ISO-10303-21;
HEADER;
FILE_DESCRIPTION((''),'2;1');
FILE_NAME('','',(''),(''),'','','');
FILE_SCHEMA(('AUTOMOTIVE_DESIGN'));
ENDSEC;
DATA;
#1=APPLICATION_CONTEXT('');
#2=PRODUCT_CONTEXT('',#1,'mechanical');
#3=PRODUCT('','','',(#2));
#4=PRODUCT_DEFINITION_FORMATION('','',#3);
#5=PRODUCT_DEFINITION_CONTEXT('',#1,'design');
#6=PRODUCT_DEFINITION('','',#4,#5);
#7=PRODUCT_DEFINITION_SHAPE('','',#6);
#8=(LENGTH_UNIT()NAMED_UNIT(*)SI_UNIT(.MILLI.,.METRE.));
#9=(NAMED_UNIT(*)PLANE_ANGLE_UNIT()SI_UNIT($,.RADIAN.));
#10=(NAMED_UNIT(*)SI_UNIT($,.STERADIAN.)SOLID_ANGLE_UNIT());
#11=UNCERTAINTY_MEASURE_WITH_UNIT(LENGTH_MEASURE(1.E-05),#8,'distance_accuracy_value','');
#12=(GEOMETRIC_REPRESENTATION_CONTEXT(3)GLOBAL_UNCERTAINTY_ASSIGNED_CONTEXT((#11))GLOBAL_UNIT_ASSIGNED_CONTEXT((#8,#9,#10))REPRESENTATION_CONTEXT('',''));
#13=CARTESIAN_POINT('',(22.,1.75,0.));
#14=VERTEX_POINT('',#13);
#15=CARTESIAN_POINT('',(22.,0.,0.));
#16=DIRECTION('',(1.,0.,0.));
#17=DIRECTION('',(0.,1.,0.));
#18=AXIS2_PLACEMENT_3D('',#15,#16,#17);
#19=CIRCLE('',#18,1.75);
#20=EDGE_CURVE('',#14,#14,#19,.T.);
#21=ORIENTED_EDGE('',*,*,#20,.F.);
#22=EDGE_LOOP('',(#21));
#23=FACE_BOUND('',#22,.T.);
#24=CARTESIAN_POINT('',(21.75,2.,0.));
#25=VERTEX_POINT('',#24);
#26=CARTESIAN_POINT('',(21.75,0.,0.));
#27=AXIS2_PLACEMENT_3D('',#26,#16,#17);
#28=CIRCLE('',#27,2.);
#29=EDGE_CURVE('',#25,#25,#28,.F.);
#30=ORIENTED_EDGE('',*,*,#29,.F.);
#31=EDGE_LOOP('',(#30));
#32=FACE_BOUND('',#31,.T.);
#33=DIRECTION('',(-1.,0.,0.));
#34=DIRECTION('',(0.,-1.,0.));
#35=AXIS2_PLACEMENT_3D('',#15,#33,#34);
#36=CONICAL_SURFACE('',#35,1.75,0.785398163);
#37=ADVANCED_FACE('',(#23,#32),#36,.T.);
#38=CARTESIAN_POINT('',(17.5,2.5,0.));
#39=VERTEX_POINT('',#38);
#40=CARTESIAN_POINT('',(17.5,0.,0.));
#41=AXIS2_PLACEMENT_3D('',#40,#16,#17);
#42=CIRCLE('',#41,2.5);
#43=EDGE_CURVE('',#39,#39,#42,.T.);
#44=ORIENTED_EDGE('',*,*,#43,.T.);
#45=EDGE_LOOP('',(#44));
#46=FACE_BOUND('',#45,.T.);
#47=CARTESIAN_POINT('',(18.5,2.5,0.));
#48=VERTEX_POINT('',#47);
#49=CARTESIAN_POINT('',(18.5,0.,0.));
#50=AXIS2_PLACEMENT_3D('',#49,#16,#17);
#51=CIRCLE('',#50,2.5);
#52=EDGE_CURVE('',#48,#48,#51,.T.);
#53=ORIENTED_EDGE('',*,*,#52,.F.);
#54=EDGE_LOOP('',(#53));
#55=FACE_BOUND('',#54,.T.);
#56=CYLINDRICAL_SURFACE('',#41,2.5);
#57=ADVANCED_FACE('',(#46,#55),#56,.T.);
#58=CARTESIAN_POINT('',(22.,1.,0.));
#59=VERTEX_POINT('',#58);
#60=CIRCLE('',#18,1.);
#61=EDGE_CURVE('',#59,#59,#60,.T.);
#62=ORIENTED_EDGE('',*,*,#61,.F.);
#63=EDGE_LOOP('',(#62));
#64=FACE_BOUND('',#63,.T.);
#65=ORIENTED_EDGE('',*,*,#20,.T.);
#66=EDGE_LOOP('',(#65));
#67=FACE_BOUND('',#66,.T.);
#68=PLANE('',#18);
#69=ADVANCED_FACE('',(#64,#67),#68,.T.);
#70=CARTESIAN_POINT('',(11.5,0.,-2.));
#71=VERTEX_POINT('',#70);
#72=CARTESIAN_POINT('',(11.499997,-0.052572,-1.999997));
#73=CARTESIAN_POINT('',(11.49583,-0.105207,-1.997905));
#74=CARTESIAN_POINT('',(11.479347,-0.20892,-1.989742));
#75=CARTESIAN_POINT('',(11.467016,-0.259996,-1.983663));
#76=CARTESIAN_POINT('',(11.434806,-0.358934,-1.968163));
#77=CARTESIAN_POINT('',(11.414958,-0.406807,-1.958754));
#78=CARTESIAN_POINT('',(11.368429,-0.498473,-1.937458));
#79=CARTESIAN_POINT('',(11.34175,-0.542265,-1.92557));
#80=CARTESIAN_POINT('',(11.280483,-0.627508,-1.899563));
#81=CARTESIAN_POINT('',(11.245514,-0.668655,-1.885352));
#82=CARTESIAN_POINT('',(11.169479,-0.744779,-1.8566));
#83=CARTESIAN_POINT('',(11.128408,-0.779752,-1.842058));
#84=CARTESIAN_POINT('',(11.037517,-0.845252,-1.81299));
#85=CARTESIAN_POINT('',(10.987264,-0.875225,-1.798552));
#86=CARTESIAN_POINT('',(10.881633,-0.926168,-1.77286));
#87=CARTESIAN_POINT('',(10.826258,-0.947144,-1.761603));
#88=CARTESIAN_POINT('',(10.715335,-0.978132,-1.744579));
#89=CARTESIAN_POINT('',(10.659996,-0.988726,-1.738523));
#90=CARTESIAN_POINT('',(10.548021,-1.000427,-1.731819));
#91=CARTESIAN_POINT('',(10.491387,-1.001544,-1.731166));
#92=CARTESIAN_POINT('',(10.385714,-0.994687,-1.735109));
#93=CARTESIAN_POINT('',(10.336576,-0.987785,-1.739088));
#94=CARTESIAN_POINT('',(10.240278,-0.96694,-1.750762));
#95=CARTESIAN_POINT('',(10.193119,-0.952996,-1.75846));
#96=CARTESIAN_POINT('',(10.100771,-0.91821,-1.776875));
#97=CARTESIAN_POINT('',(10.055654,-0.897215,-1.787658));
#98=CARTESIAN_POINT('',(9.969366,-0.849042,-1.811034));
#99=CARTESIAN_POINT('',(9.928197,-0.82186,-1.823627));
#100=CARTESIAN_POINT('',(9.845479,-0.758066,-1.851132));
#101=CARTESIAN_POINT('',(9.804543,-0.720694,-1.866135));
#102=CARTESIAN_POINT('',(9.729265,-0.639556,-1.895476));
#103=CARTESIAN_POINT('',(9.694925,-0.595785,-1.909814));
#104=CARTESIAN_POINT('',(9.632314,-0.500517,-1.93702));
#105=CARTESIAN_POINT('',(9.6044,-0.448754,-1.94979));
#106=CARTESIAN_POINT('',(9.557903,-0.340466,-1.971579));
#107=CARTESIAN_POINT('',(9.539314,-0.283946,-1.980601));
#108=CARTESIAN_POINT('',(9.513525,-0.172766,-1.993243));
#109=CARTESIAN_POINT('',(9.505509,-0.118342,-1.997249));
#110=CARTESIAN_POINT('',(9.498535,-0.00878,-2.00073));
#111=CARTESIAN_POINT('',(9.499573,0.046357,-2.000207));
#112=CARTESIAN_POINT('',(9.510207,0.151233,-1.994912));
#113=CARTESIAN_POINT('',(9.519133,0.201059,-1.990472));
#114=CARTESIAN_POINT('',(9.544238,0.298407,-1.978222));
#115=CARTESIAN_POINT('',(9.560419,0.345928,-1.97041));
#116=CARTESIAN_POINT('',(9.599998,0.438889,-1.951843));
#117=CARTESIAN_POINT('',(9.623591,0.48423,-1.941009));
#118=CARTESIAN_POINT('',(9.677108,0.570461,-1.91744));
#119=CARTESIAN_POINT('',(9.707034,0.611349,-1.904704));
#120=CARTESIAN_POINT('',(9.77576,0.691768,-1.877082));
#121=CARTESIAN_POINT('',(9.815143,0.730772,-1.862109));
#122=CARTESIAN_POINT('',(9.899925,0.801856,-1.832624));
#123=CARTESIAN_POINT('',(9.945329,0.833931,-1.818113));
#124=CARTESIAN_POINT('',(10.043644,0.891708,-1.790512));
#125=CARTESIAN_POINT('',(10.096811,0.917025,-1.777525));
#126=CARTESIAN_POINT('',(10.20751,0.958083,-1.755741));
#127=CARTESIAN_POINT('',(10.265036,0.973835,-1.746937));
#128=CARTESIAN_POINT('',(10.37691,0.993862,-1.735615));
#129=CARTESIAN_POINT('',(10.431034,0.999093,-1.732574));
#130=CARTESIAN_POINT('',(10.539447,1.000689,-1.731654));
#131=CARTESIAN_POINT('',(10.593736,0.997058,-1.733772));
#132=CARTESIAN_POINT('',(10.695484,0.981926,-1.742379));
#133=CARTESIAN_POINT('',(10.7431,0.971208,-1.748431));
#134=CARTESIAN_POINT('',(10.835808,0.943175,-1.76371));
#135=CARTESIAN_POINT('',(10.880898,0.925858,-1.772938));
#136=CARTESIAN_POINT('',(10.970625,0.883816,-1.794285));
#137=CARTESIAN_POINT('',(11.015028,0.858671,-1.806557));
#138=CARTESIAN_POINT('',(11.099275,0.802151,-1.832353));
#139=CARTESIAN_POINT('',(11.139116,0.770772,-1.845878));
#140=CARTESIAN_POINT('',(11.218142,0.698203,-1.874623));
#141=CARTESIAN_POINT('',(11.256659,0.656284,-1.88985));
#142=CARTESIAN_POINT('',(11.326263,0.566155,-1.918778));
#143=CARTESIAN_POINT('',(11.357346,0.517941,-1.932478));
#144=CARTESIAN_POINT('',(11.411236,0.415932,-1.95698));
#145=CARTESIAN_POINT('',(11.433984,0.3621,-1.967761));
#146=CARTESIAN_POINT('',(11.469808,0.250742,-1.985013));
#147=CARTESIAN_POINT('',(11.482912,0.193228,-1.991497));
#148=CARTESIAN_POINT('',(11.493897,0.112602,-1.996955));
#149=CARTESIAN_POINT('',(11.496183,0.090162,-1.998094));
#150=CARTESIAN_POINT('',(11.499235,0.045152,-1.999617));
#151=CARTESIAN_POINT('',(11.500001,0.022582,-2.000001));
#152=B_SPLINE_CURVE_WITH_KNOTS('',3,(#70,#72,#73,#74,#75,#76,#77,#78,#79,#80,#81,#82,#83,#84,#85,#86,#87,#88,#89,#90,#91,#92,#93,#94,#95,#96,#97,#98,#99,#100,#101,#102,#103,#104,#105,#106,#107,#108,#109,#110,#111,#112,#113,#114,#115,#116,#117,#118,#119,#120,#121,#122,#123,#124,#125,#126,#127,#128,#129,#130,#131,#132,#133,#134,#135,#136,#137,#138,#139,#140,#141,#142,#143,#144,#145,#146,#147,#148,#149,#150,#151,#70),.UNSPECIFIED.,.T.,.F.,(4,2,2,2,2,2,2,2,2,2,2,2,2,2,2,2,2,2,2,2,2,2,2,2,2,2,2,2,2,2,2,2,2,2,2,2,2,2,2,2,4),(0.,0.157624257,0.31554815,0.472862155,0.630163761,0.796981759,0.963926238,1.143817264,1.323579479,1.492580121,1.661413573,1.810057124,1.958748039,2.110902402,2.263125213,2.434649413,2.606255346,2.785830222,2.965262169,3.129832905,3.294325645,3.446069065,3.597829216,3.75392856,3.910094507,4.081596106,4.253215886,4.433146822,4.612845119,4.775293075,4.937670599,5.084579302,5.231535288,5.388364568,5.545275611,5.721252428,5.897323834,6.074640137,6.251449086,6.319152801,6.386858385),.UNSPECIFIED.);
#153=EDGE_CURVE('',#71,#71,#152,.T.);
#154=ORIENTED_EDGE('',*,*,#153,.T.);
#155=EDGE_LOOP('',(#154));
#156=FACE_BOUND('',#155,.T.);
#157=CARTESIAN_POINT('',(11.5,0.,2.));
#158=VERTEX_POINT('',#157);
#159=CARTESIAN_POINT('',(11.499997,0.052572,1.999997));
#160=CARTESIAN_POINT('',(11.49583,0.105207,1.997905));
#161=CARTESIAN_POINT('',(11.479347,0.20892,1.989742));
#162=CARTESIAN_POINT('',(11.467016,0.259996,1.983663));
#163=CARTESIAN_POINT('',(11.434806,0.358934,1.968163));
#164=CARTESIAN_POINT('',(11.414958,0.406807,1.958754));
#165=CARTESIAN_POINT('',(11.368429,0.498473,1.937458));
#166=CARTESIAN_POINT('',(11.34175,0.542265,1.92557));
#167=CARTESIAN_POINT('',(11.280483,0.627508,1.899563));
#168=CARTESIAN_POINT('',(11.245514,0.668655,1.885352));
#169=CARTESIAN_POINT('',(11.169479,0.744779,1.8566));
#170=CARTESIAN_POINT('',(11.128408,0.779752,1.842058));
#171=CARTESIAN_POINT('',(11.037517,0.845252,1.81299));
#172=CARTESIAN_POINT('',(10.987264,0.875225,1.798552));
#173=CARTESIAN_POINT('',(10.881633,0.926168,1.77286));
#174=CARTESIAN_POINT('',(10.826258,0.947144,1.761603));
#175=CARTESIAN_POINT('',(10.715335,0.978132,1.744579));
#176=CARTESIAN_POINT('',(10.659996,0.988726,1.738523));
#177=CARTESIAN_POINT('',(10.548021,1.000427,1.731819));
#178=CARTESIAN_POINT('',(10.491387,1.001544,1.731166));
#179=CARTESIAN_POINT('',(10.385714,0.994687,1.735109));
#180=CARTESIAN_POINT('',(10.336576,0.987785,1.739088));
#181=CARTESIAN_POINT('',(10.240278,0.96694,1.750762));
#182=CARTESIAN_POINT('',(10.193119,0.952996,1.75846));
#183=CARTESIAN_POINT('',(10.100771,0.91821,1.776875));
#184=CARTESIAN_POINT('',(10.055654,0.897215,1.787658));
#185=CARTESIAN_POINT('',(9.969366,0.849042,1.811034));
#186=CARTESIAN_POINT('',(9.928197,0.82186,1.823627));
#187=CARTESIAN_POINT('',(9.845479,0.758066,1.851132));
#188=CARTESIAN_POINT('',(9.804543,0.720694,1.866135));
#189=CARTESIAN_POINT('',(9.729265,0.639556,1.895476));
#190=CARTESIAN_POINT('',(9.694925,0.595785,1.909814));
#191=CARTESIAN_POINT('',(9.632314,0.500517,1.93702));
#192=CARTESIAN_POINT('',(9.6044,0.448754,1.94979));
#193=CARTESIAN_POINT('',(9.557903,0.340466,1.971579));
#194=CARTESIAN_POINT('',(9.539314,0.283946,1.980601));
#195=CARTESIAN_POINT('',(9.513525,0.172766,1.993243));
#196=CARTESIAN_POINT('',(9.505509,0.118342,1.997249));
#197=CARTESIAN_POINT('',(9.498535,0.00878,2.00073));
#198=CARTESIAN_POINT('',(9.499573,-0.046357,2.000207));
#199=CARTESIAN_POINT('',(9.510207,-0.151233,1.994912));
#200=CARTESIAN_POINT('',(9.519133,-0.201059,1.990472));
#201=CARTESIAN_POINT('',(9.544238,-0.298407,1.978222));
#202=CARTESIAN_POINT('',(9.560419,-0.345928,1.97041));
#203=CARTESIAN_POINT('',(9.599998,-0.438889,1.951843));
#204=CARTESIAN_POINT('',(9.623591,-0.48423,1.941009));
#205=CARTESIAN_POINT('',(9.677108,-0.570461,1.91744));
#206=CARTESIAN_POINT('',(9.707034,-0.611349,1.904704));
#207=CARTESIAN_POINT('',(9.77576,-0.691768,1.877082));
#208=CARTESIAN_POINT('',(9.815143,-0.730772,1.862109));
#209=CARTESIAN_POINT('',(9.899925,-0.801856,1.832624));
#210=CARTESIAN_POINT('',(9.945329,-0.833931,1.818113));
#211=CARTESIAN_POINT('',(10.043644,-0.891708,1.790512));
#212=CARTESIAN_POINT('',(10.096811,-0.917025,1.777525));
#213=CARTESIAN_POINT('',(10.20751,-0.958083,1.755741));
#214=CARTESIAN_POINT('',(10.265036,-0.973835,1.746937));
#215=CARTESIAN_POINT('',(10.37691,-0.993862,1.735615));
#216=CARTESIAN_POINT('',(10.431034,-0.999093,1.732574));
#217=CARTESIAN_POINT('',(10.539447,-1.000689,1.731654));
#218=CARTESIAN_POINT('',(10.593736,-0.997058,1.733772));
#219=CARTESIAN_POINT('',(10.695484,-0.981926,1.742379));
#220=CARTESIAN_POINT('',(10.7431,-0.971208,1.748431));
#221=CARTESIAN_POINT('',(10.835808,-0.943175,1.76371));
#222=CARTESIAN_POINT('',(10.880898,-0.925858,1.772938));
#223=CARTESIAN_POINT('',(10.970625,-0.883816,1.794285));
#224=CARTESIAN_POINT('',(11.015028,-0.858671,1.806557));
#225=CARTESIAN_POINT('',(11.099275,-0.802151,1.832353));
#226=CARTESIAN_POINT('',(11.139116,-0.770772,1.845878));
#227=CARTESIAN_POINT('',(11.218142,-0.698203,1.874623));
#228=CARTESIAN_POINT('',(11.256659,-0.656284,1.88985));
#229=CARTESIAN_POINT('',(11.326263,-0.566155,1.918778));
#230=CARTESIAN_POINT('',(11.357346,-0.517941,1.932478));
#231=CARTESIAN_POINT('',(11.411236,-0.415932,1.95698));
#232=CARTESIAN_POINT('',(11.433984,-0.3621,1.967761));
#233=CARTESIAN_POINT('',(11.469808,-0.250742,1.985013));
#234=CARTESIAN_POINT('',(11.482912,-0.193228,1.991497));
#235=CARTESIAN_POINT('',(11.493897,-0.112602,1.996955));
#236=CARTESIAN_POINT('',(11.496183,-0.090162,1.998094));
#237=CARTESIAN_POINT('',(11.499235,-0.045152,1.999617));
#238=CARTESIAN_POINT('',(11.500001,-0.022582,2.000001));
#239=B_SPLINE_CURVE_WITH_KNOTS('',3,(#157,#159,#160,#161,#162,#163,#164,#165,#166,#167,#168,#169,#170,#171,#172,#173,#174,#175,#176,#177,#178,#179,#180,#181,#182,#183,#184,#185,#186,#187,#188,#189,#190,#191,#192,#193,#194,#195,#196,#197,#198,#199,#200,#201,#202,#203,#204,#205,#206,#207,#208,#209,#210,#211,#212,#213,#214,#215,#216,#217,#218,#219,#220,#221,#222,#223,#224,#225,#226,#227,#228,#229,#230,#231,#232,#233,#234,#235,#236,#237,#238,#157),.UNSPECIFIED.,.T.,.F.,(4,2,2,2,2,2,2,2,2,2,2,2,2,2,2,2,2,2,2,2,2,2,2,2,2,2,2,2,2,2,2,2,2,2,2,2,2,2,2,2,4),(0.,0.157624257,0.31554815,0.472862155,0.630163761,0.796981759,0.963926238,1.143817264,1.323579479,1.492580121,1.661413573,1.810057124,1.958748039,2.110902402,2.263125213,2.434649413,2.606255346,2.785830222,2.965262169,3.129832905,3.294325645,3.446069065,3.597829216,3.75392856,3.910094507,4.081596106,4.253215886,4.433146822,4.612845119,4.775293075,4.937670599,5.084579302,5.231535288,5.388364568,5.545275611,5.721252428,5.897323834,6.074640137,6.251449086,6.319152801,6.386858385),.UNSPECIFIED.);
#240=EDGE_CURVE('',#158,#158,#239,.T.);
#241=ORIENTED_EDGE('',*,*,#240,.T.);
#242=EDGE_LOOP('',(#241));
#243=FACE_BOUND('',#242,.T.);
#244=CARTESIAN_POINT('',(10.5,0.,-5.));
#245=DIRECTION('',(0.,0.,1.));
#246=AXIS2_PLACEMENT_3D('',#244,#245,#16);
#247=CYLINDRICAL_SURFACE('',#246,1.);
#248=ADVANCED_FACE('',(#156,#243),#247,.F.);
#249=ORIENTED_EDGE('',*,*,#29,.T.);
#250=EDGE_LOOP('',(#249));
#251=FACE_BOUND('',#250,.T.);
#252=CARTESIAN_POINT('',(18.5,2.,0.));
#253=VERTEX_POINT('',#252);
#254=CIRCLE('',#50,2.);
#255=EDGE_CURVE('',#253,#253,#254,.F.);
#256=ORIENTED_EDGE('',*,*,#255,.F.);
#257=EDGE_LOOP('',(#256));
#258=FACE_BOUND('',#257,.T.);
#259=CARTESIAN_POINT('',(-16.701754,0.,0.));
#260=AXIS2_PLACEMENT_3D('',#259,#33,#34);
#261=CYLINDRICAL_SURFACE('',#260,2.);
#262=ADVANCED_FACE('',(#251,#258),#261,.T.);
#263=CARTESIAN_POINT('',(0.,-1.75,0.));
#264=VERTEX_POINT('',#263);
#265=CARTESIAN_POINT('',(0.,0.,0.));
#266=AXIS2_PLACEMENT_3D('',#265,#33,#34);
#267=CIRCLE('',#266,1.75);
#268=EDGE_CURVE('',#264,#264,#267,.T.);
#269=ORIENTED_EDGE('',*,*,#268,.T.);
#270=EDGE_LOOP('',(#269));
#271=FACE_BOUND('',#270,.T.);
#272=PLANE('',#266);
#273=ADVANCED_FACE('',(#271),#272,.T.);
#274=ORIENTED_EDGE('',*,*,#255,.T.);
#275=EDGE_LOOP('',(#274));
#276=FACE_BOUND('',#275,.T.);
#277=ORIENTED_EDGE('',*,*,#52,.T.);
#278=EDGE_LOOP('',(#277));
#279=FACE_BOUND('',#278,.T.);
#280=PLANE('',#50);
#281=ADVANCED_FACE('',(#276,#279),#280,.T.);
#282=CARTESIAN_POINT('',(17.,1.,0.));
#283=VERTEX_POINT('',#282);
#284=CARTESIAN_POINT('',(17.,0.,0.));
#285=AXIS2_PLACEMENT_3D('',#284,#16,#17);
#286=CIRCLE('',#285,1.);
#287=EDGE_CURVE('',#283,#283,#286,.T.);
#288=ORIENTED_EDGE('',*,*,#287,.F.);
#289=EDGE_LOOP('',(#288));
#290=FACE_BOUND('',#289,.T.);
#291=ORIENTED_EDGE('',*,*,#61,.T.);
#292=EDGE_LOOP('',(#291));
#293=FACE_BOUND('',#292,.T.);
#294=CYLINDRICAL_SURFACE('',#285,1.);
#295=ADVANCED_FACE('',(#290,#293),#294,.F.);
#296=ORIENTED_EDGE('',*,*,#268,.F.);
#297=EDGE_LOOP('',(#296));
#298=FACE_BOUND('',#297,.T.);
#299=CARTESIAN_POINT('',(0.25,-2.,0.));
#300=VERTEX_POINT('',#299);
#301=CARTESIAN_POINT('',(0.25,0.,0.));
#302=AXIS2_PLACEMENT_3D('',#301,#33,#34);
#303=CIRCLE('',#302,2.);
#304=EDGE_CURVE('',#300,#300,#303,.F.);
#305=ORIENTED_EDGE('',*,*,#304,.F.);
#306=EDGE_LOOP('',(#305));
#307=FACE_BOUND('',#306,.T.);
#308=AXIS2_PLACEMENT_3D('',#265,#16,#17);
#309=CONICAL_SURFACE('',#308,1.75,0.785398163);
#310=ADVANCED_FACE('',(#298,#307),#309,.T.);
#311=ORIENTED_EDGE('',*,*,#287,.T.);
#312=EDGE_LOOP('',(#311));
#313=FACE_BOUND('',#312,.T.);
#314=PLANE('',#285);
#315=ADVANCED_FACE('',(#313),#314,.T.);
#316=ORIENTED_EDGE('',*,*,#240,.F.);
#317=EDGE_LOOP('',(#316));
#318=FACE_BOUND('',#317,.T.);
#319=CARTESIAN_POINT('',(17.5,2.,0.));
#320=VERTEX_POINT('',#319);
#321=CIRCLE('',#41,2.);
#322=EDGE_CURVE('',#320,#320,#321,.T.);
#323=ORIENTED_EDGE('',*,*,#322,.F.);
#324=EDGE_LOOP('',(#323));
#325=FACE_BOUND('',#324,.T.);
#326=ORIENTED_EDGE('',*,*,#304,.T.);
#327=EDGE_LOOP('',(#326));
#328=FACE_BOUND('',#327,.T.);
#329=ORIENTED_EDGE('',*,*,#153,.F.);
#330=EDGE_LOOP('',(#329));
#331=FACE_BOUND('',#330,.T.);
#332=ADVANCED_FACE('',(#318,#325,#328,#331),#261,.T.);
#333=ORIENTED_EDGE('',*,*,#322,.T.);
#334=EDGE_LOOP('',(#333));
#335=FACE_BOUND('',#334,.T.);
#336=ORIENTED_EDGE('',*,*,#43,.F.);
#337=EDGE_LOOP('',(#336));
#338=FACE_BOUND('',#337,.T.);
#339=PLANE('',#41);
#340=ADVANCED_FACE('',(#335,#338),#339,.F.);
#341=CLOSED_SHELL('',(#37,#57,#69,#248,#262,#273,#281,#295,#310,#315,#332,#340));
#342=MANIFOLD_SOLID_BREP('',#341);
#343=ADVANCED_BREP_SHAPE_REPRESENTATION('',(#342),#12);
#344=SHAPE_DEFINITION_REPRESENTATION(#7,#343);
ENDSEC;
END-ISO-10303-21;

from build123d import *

# Parameters (mm, degrees)
CUT_EXTRUDE_START   = -3.5
CUT_EXTRUDE_1_DEPTH = 10
SKETCH_3_W          = 4
SKETCH_3_H          = 19.670556204
CUT_EXTRUDE_2_DEPTH = 10
CUT_EXTRUDE_START_2 = -29
SKETCH_4_R          = 4
SKETCH_4_R_2        = 2
CUT_EXTRUDE_3_DEPTH = 29
SKETCH_5_R          = 1
CUT_EXTRUDE_4_DEPTH = 5
SKETCH_6_R          = 2
EXTRUDE_1_DEPTH     = 1
EXTRUDE_START       = -4.5
SKETCH_7_R          = 2.5
SKETCH_7_R_2        = 2
EXTRUDE_2_DEPTH     = 1
SKETCH_8_R          = 1
CUT_EXTRUDE_5_DEPTH = 5
CHAMFER_1_SIZE      = 0.25
CHAMFER_2_SIZE      = 0.25


with BuildPart() as part:
    # 草图1 → 旋转2 (revolve)
    with BuildSketch(Plane.XY, mode=Mode.PRIVATE) as revolve_2_sk:
        Polygon((0, 2), (0, 0), (17, 0), (21, 0), (21, 2), (17, 2), (17, 4), (4, 4), (4, 2), align=None)
    revolve(revolve_2_sk.sketch.rotate(Axis((-16.701754386, 0, 0), (1, 0, 0)), 180), axis=Axis((-16.701754386, 0, 0), (1, 0, 0)))

    # 草图2 → 切除-拉伸1 (cut)
    with BuildSketch(Plane.XY.offset(CUT_EXTRUDE_START)):
        Polygon((12.5, -5.827233832), (12.5, 4), (10.5, 4), (8.5, 4), (8.5, -5.827233832), align=None)
    extrude(amount=-CUT_EXTRUDE_1_DEPTH, mode=Mode.SUBTRACT)

    # 草图3 → 切除-拉伸2 (cut)
    with BuildSketch(Plane(origin=(0, 0, 0), x_dir=(1, 0, 0), z_dir=(0, 1, 0)).offset(CUT_EXTRUDE_START)):
        with Locations((10.5, 3.5)):
            Rectangle(SKETCH_3_W, SKETCH_3_H)
    extrude(amount=-CUT_EXTRUDE_2_DEPTH, mode=Mode.SUBTRACT)

    # 草图4 → 切除-拉伸3 (cut)
    with BuildSketch(Plane(origin=(21, 0, 0), x_dir=(0, 0, -1), z_dir=(1, 0, 0)).offset(CUT_EXTRUDE_START_2)):
        Circle(SKETCH_4_R)
        with Locations(Location((0, 0, 0), (0, 0, 270))):
            Circle(SKETCH_4_R_2, mode=Mode.SUBTRACT)
    extrude(amount=CUT_EXTRUDE_3_DEPTH, mode=Mode.SUBTRACT)

    # 草图5 → 切除-拉伸4 (cut, symmetric)
    with BuildSketch(Plane.XY):
        with Locations((10.5, 0)):
            Circle(SKETCH_5_R)
    extrude(amount=CUT_EXTRUDE_4_DEPTH, both=True, mode=Mode.SUBTRACT)

    # 草图6 → 凸台-拉伸1 (add)
    with BuildSketch(Plane(origin=(21, 0, 0), x_dir=(0, 0, -1), z_dir=(1, 0, 0))):
        with Locations(Location((0, 0, 0), (0, 0, 270))):
            Circle(SKETCH_6_R)
    extrude(amount=EXTRUDE_1_DEPTH)

    # 草图7 → 凸台-拉伸2 (add)
    with BuildSketch(Plane(origin=(22, 0, 0), x_dir=(0, 0, -1), z_dir=(1, 0, 0)).offset(EXTRUDE_START)):
        with Locations(Location((0, 0, 0), (0, 0, 90))):
            Circle(SKETCH_7_R)
        with Locations(Location((0, 0, 0), (0, 0, 270))):
            Circle(SKETCH_7_R_2, mode=Mode.SUBTRACT)
    extrude(amount=EXTRUDE_2_DEPTH)

    # 草图8 → 切除-拉伸5 (cut)
    with BuildSketch(Plane(origin=(22, 0, 0), x_dir=(0, 0, -1), z_dir=(1, 0, 0))):
        with Locations(Location((0, 0, 0), (0, 0, 90))):
            Circle(SKETCH_8_R)
    extrude(amount=-CUT_EXTRUDE_5_DEPTH, mode=Mode.SUBTRACT)

    # 倒角1
    chamfer_1_edges = [part.edges().sort_by_distance(p)[0] for p in [
        (22, 2, 0),
    ]]
    chamfer(chamfer_1_edges, length=CHAMFER_1_SIZE)

    # 倒角2
    chamfer_2_edges = [part.edges().sort_by_distance(p)[0] for p in [
        (0, 2, 0),
    ]]
    chamfer(chamfer_2_edges, length=CHAMFER_2_SIZE)


solid = part.part
